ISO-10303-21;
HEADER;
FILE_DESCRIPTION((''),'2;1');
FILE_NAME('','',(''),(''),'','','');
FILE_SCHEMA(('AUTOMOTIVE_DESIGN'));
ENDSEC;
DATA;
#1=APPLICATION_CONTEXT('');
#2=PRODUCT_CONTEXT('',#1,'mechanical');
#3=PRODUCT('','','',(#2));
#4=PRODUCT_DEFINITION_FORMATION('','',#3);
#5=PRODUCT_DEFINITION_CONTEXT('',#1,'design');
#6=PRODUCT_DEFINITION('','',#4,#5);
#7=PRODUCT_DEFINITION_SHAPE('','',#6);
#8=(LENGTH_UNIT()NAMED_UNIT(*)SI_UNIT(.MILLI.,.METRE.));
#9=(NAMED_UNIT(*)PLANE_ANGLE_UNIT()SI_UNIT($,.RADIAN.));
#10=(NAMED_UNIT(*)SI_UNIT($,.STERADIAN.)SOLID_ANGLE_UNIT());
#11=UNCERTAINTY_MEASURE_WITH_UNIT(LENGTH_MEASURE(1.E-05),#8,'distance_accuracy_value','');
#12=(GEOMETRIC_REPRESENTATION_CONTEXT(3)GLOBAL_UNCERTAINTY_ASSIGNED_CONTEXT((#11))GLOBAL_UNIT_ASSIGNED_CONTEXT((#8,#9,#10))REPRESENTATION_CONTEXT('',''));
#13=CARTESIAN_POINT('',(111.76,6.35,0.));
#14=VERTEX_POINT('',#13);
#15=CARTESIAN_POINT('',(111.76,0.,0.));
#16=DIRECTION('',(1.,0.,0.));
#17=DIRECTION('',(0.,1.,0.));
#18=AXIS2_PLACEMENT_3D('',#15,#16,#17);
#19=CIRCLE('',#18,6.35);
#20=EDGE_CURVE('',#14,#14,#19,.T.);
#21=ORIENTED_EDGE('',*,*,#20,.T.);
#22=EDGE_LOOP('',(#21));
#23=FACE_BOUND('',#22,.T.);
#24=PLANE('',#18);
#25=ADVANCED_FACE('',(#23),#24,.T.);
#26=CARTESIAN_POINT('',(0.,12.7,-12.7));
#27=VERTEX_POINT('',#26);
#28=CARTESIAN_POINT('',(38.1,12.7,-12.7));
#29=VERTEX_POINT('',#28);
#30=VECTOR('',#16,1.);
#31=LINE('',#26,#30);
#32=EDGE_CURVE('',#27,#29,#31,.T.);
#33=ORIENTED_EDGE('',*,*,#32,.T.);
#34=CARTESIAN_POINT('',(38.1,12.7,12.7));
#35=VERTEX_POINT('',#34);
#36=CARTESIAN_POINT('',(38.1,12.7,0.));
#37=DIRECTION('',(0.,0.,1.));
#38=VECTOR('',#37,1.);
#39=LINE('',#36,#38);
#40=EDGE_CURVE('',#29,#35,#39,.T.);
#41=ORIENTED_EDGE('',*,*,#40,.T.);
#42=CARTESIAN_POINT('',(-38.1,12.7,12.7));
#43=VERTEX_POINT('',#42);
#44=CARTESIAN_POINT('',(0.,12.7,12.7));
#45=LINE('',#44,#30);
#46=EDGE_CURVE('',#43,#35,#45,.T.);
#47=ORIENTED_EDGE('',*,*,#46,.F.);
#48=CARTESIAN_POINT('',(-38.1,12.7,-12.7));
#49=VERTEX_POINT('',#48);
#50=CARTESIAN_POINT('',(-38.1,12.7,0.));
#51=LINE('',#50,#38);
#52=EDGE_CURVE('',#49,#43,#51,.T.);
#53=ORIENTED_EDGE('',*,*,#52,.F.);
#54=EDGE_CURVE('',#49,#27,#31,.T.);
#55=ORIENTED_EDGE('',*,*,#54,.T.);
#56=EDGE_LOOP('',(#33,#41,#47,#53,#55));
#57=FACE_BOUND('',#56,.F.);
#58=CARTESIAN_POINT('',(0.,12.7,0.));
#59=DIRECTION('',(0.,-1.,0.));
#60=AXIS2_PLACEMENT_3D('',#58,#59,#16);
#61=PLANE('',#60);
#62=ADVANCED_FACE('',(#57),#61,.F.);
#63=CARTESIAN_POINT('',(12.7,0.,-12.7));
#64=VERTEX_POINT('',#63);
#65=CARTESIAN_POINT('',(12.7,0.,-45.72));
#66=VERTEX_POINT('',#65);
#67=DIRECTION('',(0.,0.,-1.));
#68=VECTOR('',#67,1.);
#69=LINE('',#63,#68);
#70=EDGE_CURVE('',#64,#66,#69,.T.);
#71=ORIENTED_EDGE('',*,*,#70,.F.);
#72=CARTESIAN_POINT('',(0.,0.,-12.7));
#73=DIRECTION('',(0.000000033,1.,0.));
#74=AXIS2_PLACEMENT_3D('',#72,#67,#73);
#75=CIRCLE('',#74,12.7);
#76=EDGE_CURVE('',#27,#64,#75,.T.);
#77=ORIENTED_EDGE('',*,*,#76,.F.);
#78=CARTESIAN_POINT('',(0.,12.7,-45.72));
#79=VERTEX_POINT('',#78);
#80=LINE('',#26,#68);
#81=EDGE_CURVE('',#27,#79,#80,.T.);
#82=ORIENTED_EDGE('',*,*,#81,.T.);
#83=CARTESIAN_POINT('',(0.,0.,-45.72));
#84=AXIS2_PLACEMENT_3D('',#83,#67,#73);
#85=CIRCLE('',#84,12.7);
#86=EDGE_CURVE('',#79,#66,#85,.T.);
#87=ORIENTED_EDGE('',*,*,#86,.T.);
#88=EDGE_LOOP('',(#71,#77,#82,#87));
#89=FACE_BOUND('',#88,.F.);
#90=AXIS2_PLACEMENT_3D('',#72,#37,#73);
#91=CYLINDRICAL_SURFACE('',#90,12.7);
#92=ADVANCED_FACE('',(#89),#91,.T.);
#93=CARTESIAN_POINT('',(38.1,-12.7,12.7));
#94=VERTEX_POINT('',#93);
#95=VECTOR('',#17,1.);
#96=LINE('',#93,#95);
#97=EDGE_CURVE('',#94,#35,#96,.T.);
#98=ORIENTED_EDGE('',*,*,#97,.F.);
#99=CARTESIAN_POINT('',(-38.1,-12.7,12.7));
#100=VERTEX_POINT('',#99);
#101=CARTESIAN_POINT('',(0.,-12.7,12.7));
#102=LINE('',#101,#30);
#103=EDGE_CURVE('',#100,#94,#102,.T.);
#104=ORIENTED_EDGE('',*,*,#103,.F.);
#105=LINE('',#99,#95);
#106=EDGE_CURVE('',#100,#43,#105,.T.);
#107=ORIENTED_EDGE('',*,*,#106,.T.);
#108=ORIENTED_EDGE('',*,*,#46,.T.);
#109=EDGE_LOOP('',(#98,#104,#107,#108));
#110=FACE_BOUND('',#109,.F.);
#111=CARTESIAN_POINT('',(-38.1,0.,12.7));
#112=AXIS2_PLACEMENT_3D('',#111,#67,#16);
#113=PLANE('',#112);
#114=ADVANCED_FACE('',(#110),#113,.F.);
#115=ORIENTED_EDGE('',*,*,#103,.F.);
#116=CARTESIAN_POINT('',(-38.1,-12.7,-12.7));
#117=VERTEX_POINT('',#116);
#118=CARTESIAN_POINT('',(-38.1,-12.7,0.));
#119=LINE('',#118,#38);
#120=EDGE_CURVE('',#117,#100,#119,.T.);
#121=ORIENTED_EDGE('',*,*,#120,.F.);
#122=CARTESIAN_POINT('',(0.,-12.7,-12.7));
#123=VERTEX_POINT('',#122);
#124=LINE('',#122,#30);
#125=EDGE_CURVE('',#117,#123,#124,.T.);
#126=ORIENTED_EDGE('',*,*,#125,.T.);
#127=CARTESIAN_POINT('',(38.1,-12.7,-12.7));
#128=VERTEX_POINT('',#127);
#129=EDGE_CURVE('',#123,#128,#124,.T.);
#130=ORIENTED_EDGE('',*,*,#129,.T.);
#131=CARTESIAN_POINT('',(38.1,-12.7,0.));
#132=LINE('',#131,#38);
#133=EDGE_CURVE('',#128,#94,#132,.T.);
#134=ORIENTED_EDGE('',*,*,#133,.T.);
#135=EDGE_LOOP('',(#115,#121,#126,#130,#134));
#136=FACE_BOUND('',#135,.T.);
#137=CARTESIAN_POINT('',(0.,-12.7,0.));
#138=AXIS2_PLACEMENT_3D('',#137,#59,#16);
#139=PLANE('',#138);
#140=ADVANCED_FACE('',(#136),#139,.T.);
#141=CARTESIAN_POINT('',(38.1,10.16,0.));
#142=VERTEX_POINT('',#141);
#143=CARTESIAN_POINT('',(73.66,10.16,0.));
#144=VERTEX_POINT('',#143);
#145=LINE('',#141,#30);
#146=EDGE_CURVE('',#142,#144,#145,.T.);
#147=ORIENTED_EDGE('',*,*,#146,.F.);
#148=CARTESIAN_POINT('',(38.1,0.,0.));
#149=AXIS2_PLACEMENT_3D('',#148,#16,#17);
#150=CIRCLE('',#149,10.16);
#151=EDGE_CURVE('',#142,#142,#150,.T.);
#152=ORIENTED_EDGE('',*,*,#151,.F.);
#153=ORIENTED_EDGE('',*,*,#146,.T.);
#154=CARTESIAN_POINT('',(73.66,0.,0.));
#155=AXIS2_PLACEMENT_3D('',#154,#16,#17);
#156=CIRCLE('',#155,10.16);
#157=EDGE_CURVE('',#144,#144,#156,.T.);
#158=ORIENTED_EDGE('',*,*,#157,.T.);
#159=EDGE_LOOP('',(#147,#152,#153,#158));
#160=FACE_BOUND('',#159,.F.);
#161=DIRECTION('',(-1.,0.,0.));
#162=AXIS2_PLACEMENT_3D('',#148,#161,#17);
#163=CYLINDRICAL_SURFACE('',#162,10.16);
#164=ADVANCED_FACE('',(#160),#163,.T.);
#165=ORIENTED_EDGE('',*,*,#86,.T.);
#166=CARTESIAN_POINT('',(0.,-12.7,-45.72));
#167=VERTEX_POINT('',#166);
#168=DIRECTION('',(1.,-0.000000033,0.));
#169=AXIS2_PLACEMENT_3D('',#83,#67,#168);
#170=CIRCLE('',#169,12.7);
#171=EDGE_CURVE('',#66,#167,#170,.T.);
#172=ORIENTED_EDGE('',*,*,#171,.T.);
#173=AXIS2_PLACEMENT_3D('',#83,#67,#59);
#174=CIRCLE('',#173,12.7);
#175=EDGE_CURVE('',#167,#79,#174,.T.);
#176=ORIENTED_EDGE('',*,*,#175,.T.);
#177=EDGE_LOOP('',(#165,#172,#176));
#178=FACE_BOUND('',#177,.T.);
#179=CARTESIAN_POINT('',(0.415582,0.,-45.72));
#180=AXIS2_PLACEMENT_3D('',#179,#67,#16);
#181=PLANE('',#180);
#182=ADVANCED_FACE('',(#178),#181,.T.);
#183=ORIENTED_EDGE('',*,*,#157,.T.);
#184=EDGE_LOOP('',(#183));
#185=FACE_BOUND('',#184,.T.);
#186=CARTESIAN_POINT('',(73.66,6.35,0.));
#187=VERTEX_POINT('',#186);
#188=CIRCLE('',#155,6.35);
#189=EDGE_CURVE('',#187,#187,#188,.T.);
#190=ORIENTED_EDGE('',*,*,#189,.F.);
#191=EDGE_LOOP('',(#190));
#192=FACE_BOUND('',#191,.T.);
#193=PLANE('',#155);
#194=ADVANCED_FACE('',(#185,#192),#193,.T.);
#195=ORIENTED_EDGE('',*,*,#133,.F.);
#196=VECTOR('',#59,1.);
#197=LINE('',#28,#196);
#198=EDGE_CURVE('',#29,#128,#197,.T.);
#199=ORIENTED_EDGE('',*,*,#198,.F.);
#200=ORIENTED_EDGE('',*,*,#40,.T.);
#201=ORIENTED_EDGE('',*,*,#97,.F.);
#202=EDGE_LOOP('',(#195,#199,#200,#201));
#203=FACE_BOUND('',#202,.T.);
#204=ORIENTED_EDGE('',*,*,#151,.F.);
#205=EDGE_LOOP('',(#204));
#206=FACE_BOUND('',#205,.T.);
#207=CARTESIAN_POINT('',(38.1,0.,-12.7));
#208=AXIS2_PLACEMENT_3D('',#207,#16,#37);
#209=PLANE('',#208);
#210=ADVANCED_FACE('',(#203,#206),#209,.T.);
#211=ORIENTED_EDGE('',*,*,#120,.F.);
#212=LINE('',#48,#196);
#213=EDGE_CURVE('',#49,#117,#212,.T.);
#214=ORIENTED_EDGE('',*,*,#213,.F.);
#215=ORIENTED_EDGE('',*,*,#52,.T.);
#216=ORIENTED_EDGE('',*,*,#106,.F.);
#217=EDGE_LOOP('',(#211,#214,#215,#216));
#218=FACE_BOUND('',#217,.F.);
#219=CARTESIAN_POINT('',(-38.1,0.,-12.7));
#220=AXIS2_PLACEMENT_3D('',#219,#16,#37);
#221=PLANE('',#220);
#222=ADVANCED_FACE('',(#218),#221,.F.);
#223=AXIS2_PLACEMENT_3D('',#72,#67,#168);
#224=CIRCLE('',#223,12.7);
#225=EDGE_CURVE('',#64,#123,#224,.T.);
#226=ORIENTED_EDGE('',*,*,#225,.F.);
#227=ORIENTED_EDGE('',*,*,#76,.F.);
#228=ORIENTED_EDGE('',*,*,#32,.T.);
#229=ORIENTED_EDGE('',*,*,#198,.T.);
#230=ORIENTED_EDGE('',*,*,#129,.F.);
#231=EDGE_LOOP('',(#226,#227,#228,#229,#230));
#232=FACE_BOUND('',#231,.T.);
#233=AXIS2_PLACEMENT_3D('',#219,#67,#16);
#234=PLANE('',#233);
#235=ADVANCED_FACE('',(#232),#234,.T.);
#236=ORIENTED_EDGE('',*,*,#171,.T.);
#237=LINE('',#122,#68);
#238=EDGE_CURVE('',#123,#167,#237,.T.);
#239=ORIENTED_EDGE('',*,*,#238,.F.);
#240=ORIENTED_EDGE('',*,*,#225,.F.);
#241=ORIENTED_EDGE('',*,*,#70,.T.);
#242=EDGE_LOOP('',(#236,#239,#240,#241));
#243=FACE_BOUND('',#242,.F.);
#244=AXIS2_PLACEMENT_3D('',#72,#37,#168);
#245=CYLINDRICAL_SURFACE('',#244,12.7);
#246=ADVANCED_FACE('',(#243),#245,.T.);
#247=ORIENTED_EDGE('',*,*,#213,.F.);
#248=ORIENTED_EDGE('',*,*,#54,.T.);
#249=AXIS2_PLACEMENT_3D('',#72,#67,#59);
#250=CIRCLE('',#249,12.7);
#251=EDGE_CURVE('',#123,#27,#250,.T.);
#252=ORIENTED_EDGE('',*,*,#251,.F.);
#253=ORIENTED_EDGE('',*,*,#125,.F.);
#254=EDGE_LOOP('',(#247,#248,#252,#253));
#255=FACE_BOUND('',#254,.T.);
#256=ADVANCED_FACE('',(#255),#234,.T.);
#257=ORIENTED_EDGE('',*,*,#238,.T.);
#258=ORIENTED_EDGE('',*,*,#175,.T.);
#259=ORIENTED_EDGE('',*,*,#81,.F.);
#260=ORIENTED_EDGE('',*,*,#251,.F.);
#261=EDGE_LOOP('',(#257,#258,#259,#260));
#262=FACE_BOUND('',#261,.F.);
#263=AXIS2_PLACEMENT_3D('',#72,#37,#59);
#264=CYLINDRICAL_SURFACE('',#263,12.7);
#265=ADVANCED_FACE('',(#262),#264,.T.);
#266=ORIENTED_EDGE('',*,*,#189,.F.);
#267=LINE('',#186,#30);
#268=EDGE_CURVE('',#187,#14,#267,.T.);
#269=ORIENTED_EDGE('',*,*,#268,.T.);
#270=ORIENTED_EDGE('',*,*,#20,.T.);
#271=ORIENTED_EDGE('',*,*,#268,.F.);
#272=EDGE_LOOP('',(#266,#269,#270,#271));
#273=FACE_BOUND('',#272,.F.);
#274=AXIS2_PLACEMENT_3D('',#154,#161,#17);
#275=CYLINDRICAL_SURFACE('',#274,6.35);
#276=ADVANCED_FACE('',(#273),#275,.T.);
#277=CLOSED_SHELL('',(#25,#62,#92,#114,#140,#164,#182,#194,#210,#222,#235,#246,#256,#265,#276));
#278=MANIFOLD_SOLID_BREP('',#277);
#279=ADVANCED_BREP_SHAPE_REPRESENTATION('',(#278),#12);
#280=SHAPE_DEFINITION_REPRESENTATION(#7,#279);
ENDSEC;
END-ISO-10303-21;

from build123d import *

# Parameters (mm, degrees)
F0_W     = 76.2
F0_H     = 25.4
F1_DEPTH = 12.7
F3_DEPTH = 33.02
F4_R     = 10.16
F5_DEPTH = 35.56
F6_R     = 6.35
F7_DEPTH = 38.1


with BuildPart() as f1:
    # F0 (on Front) → F1 (new body, symmetric)
    with BuildSketch(Plane.XZ):
        Rectangle(F0_W, F0_H)
    extrude(amount=F1_DEPTH, both=True)

    # F2 (on face) → F3 (join)
    with BuildSketch(Plane(origin=(0, 0, -12.7), x_dir=(1, 0, 0), z_dir=(0, 0, -1))):
        with BuildLine():
            ThreePointArc((0, -12.7), (8.980256, -8.980256), (12.7, 0))
            ThreePointArc((12.7, 0), (8.980256, 8.980256), (0, 12.7))
            ThreePointArc((0, 12.7), (-12.7, 0), (0, -12.7))
        make_face()
    extrude(amount=F3_DEPTH)

    # F4 (on face) → F5 (join)
    with BuildSketch(Plane.YZ.offset(38.1)):
        Circle(F4_R)
    extrude(amount=F5_DEPTH)

    # F6 (on face) → F7 (join)
    with BuildSketch(Plane.YZ.offset(73.66)):
        Circle(F6_R)
    extrude(amount=F7_DEPTH)


solid = f1.part
